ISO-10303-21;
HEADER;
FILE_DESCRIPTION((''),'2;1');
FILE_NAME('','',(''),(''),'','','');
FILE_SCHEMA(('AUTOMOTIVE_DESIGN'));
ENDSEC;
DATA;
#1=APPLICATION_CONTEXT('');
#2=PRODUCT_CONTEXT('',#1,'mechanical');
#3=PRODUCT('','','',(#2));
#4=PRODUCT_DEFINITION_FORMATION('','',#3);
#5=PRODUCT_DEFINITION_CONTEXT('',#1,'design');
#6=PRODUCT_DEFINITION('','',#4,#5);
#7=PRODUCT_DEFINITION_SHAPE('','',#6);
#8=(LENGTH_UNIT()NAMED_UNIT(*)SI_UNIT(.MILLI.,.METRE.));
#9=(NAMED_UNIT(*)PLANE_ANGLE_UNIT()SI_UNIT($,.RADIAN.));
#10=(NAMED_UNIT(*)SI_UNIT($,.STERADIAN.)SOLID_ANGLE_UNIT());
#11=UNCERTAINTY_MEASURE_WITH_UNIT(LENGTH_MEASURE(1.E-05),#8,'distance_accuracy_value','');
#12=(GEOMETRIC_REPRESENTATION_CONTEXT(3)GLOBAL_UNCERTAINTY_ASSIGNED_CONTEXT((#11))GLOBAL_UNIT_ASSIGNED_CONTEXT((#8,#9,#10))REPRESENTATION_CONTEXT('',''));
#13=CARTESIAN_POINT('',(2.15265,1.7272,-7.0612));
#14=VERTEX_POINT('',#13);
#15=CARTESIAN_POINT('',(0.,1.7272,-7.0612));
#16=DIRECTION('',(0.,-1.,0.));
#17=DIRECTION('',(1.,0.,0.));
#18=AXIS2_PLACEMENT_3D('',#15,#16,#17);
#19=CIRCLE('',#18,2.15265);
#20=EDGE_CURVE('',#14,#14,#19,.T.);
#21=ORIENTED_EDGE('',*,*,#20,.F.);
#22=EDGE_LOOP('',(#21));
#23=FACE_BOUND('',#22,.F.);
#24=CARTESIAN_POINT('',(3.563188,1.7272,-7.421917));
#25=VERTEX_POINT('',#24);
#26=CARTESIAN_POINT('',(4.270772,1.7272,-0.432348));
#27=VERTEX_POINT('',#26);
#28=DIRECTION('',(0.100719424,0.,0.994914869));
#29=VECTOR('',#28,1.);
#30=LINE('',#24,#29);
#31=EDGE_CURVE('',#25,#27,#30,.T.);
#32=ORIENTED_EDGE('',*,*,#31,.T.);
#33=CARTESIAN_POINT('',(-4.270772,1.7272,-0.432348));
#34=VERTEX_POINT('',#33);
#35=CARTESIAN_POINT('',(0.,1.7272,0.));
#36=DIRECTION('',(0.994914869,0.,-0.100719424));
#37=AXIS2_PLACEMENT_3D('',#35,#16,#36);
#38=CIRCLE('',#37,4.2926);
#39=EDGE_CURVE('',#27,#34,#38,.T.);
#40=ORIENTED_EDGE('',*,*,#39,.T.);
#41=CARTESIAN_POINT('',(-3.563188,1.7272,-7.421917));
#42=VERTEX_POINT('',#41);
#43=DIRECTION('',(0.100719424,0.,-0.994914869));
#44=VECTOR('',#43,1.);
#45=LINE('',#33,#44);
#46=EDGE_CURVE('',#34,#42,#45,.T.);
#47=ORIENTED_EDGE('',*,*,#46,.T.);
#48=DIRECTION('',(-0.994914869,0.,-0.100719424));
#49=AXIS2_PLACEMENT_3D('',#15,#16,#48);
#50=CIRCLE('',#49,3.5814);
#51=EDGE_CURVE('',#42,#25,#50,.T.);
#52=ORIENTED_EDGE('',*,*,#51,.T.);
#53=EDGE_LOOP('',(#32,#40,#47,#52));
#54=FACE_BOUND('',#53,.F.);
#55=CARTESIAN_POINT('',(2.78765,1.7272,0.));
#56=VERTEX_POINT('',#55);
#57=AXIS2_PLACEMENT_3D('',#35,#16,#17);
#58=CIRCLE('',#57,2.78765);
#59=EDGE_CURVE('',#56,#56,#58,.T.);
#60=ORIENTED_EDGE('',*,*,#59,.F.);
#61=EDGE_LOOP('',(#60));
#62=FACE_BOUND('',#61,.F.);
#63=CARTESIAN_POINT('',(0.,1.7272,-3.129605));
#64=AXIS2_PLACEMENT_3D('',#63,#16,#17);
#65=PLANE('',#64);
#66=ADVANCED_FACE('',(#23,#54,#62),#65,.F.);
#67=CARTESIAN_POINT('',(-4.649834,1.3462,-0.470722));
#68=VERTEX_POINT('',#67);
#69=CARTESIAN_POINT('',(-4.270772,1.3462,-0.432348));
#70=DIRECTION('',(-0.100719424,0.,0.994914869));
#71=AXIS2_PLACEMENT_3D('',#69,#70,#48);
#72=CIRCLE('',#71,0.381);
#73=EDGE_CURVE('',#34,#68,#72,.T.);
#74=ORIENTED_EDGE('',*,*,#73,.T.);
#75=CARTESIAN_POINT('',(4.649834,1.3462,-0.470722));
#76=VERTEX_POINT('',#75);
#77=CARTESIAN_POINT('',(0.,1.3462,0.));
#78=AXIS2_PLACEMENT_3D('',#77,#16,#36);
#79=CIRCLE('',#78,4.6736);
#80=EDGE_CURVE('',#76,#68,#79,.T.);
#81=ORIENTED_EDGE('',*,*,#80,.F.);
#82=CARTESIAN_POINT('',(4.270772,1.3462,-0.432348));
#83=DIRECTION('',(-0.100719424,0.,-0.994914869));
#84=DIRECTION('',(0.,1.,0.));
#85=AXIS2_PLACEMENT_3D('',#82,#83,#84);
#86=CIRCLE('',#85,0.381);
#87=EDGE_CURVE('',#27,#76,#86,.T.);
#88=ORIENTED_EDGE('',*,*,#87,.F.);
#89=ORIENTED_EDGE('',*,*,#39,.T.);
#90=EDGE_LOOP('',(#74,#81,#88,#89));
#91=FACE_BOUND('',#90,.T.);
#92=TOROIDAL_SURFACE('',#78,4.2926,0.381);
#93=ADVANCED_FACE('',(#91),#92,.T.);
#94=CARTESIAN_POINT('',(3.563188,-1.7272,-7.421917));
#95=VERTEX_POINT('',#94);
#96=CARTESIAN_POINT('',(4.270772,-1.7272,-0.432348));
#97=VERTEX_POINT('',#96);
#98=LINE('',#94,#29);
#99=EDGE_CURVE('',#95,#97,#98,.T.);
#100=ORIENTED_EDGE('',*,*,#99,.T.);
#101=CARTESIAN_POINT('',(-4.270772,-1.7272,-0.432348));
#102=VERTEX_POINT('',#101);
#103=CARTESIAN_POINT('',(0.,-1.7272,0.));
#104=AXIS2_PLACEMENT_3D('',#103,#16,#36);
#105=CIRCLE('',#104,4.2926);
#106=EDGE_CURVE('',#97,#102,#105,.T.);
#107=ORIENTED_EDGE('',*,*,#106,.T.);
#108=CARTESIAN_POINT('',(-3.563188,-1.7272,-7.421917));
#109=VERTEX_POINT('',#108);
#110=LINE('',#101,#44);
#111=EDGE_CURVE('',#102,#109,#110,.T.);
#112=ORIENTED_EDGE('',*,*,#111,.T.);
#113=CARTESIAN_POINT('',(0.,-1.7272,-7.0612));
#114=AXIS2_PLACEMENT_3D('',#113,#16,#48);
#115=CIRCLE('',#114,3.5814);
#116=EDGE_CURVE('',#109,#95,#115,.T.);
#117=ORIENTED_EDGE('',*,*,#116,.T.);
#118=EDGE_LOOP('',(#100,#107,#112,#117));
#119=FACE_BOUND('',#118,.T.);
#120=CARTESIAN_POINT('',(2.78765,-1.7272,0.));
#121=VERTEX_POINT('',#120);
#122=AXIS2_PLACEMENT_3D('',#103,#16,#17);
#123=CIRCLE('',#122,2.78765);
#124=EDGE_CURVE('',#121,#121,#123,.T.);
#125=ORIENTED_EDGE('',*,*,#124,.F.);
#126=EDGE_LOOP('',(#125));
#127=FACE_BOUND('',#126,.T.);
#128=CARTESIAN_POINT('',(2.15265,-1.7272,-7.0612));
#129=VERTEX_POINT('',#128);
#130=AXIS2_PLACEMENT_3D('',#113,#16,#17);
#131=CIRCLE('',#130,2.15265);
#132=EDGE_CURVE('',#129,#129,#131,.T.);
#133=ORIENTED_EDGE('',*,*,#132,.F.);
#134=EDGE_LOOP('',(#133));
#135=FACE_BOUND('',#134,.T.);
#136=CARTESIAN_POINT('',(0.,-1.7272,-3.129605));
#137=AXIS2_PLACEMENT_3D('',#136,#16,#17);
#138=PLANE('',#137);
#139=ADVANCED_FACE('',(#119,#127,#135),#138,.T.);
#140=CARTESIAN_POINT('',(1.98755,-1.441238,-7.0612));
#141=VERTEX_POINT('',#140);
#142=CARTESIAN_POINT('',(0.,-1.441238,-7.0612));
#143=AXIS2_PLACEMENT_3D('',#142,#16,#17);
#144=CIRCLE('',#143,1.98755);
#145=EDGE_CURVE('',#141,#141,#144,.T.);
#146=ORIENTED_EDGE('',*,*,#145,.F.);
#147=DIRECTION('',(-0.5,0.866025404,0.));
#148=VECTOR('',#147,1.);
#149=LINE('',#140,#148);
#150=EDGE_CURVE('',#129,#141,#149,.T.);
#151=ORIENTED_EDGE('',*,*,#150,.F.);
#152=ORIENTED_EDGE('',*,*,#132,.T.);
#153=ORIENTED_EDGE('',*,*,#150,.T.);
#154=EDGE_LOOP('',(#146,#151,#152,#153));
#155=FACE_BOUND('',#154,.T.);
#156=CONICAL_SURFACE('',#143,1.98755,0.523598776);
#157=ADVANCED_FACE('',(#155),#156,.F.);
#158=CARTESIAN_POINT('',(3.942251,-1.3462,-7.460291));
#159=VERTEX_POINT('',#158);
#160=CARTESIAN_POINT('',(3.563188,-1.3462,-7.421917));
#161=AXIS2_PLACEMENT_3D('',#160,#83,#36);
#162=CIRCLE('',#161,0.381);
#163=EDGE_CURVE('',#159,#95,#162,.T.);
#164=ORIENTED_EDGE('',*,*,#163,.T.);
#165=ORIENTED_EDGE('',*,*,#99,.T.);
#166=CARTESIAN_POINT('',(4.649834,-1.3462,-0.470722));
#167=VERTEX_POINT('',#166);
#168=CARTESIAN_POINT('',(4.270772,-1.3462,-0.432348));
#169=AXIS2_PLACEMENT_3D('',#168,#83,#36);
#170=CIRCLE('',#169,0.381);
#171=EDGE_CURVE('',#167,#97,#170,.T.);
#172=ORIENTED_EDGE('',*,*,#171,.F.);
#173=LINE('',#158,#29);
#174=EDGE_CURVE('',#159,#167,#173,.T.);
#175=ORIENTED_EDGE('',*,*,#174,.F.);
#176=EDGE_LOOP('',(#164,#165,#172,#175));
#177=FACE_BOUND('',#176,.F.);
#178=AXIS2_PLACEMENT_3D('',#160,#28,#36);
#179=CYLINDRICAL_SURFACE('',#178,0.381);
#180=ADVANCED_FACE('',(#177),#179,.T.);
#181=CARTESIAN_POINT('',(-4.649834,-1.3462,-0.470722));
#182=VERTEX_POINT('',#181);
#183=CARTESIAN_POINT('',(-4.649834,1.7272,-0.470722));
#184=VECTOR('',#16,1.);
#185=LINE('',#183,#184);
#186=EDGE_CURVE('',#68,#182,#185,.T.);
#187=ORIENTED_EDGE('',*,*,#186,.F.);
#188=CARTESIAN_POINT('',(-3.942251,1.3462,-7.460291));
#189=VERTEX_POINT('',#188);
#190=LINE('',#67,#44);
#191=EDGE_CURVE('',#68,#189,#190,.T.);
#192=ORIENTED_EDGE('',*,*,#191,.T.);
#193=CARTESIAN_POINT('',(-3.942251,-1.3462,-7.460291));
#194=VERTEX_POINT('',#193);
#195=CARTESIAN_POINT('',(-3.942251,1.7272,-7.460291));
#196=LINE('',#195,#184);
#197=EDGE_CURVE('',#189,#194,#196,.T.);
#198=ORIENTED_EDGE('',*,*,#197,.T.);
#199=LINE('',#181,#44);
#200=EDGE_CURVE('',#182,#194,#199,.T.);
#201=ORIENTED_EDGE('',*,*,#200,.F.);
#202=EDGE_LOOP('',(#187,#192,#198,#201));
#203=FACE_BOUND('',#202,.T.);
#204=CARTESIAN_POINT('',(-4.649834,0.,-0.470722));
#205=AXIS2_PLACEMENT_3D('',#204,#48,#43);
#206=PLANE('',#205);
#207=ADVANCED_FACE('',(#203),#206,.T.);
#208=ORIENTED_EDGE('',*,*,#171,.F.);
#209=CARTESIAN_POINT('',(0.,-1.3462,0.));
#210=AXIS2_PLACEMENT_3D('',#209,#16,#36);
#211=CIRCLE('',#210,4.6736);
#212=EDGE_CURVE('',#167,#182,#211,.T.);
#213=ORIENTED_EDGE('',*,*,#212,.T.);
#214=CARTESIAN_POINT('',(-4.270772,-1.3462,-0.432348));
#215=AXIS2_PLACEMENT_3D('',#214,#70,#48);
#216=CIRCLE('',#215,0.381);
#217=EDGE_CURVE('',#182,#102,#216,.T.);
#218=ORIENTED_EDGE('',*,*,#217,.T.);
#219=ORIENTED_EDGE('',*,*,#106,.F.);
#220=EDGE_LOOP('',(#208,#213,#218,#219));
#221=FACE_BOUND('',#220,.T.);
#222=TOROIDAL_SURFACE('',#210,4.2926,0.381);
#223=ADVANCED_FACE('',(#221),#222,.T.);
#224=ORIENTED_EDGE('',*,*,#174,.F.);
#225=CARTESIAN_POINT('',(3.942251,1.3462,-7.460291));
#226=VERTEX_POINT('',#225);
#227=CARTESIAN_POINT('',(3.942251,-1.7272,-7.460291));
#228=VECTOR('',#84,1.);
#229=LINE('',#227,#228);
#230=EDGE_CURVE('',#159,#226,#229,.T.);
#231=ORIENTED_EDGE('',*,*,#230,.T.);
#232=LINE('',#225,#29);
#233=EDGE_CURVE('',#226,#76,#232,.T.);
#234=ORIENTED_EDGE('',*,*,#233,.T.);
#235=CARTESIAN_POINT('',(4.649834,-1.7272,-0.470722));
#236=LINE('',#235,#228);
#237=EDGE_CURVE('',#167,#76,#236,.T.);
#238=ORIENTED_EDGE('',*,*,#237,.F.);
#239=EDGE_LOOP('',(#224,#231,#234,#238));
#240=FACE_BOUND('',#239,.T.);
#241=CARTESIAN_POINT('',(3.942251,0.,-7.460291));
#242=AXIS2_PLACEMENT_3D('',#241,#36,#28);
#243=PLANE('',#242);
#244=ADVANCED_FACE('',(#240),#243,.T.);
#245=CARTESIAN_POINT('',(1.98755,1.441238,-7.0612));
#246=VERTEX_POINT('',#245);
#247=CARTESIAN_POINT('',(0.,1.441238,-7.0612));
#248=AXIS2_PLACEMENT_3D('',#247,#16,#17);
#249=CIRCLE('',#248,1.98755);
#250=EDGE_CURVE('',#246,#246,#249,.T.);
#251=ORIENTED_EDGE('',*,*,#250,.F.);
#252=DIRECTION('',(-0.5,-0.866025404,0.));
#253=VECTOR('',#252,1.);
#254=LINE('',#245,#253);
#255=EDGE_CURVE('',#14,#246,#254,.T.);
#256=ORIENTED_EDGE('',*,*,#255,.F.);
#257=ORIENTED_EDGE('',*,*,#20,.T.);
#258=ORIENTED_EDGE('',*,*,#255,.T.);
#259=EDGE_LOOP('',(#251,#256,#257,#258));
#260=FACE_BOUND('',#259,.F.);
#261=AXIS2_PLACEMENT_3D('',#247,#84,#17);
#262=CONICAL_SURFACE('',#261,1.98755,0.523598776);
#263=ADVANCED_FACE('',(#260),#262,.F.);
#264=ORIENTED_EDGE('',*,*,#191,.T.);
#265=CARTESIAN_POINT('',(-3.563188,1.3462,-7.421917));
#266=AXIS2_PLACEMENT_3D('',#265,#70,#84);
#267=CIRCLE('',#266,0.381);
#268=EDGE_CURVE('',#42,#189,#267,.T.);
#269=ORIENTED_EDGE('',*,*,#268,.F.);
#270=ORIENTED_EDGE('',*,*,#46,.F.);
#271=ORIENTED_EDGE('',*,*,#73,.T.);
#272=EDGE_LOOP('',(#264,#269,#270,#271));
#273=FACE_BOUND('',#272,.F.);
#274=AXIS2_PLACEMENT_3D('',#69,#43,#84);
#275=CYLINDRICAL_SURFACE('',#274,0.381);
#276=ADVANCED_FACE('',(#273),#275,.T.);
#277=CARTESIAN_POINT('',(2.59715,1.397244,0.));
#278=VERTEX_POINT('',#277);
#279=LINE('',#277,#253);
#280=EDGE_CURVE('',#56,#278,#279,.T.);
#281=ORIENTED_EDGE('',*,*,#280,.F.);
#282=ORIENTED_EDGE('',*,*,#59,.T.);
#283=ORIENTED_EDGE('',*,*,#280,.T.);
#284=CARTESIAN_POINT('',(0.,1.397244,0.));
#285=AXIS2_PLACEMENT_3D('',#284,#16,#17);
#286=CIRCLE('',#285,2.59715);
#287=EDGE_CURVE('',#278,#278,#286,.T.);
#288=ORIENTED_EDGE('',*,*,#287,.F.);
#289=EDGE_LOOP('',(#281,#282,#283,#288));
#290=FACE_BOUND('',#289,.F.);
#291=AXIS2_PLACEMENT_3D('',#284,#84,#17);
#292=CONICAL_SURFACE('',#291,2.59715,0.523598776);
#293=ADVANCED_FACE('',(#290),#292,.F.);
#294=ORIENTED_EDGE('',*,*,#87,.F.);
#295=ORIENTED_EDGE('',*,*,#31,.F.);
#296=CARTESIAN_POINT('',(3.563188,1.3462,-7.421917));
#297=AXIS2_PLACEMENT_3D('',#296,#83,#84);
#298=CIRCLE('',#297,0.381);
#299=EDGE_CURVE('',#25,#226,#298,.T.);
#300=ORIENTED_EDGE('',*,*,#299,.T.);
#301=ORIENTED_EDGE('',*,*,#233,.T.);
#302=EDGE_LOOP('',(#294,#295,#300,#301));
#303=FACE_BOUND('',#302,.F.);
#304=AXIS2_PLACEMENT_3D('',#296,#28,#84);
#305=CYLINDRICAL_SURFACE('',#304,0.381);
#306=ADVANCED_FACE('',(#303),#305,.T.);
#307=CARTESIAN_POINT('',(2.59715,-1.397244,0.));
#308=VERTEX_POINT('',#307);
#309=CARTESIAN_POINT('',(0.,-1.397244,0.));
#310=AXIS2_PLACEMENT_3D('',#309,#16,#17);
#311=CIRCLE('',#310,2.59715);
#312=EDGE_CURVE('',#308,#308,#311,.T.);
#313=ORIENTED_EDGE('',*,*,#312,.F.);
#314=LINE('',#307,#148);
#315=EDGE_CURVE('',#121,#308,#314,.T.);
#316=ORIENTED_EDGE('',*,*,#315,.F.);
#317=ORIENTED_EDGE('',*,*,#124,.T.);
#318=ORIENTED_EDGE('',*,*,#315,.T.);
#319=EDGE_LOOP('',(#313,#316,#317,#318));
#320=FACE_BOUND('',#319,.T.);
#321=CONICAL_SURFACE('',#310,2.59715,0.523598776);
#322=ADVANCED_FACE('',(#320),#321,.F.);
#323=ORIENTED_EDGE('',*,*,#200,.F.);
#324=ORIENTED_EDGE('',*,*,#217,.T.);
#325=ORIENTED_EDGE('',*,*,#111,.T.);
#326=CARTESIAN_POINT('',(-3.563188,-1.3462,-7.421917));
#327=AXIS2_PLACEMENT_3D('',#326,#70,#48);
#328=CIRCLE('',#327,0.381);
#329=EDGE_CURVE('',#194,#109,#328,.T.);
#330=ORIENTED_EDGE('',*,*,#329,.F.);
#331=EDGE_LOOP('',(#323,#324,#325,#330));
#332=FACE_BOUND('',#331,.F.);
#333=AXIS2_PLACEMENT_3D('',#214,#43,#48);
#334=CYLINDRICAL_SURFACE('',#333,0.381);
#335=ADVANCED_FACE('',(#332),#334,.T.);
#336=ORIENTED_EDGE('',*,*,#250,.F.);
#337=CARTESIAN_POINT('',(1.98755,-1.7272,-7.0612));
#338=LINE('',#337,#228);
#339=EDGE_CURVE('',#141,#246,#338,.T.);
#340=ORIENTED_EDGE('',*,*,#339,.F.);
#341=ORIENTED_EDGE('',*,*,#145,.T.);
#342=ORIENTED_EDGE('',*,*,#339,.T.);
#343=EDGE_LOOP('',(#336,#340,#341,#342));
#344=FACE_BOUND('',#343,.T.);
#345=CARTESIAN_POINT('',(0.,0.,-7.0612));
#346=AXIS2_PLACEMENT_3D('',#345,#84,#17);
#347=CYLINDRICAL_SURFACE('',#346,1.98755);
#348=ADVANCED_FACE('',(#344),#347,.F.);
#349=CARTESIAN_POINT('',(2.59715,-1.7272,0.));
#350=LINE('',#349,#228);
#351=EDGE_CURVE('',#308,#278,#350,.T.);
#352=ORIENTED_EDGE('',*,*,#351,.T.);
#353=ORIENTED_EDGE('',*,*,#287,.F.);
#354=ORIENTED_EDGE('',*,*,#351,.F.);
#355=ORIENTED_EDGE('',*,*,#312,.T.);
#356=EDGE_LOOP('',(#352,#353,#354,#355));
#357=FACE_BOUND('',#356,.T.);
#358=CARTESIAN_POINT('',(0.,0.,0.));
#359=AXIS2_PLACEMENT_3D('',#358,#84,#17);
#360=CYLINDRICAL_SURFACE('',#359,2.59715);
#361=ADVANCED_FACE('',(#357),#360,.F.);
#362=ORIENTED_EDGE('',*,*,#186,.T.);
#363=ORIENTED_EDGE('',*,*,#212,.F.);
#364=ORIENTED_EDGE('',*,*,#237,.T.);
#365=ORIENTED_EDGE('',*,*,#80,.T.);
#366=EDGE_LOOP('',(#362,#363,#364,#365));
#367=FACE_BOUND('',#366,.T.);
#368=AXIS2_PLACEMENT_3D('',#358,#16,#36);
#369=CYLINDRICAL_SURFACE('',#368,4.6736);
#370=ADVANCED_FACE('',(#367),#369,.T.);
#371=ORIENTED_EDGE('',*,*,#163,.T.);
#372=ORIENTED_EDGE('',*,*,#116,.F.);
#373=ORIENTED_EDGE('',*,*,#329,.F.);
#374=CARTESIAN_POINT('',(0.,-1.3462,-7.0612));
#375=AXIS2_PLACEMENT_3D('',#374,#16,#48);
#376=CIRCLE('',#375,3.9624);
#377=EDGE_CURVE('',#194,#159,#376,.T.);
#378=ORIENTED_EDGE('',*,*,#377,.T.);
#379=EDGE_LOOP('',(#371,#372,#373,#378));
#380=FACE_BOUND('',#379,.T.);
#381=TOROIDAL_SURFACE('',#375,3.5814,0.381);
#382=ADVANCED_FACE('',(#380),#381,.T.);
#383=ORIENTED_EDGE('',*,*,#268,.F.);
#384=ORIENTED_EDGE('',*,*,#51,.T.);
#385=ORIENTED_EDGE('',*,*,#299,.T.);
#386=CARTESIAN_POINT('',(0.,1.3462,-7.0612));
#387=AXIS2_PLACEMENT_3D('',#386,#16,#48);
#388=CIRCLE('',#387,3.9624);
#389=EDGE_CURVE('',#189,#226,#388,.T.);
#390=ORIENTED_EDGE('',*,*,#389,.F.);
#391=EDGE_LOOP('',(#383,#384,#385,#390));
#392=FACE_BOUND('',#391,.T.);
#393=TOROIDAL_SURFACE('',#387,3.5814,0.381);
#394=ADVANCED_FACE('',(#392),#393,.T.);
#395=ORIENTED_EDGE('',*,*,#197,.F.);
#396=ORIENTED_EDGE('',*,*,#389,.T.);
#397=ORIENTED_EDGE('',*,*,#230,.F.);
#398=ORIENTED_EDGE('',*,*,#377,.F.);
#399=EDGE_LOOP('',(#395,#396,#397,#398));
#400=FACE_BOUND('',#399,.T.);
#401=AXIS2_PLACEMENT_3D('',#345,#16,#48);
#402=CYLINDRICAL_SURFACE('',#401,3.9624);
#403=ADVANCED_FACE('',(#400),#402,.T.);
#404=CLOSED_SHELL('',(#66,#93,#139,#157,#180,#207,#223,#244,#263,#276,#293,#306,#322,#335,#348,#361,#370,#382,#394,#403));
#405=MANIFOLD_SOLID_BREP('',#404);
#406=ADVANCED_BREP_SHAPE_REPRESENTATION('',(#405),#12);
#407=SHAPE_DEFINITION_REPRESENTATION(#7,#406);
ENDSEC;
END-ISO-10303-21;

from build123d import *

# Parameters (mm, degrees)
F0_R       = 1.98755
F0_R_2     = 2.59715
F1_DEPTH   = 1.7272
F2_R       = 0.381
F3_R       = 0.381
F4_SIZE2   = 0.3299556788
F4_SIZE    = 0.1905
F4_2_SIZE2 = 0.3299556788
F4_2_SIZE  = 0.1905
F5_SIZE2   = 0.2859615883
F5_SIZE    = 0.1651
F5_2_SIZE2 = 0.2859615883
F5_2_SIZE  = 0.1651


with BuildPart() as f1:
    # F0 (on Front) → F1 (new body, symmetric)
    with BuildSketch(Plane.XZ):
        with BuildLine():
            ThreePointArc((4.6498341341, -0.4707223022), (0, 4.6736), (-4.6498341341, -0.4707223022))
            Line((-4.6498341341, -0.4707223022), (-3.9422506789, -7.4602906475))
            ThreePointArc((-3.9422506789, -7.4602906475), (0, -11.0236), (3.9422506789, -7.4602906475))
            Line((3.9422506789, -7.4602906475), (4.6498341341, -0.4707223022))
        make_face()
        with Locations((0, -7.0612)):
            Circle(F0_R, mode=Mode.SUBTRACT)
        Circle(F0_R_2, mode=Mode.SUBTRACT)
    extrude(amount=F1_DEPTH, both=True)

    # F2
    f2_edges = [f1.edges().sort_by_distance(p)[0] for p in [
        (4.296042, -1.7272, -3.965506),
        (0, -1.7272, 4.6736),
        (-4.296042, -1.7272, -3.965506),
        (0, -1.7272, -11.0236),
    ]]
    fillet(f2_edges, radius=F2_R)

    # F3
    f3_edges = [f1.edges().sort_by_distance(p)[0] for p in [
        (4.296042, 1.7272, -3.965506),
        (0, 1.7272, 4.6736),
        (-4.296042, 1.7272, -3.965506),
        (0, 1.7272, -11.0236),
    ]]
    fillet(f3_edges, radius=F3_R)

    # F4
    f4_edges = [f1.edges().sort_by_distance(p)[0] for p in [
        (-2.59715, -1.7272, 0),
    ]]
    f4_side = f1.faces().sort_by_distance((0, -1.7272, -3.137355))[0]
    chamfer(f4_edges, length=F4_SIZE, length2=F4_SIZE2, reference=f4_side)

    # F4#2
    f4_2_edges = [f1.edges().sort_by_distance(p)[0] for p in [
        (-2.59715, 1.7272, 0),
    ]]
    f4_2_side = f1.faces().sort_by_distance((0, 1.7272, -3.137355))[0]
    chamfer(f4_2_edges, length=F4_2_SIZE, length2=F4_2_SIZE2, reference=f4_2_side)

    # F5
    f5_edges = [f1.edges().sort_by_distance(p)[0] for p in [
        (-1.98755, -1.7272, -7.0612),
    ]]
    f5_side = f1.faces().sort_by_distance((0, -1.7272, -3.285713))[0]
    chamfer(f5_edges, length=F5_SIZE, length2=F5_SIZE2, reference=f5_side)

    # F5#2
    f5_2_edges = [f1.edges().sort_by_distance(p)[0] for p in [
        (-1.98755, 1.7272, -7.0612),
    ]]
    f5_2_side = f1.faces().sort_by_distance((0, 1.7272, -3.285713))[0]
    chamfer(f5_2_edges, length=F5_2_SIZE, length2=F5_2_SIZE2, reference=f5_2_side)


solid = f1.part
